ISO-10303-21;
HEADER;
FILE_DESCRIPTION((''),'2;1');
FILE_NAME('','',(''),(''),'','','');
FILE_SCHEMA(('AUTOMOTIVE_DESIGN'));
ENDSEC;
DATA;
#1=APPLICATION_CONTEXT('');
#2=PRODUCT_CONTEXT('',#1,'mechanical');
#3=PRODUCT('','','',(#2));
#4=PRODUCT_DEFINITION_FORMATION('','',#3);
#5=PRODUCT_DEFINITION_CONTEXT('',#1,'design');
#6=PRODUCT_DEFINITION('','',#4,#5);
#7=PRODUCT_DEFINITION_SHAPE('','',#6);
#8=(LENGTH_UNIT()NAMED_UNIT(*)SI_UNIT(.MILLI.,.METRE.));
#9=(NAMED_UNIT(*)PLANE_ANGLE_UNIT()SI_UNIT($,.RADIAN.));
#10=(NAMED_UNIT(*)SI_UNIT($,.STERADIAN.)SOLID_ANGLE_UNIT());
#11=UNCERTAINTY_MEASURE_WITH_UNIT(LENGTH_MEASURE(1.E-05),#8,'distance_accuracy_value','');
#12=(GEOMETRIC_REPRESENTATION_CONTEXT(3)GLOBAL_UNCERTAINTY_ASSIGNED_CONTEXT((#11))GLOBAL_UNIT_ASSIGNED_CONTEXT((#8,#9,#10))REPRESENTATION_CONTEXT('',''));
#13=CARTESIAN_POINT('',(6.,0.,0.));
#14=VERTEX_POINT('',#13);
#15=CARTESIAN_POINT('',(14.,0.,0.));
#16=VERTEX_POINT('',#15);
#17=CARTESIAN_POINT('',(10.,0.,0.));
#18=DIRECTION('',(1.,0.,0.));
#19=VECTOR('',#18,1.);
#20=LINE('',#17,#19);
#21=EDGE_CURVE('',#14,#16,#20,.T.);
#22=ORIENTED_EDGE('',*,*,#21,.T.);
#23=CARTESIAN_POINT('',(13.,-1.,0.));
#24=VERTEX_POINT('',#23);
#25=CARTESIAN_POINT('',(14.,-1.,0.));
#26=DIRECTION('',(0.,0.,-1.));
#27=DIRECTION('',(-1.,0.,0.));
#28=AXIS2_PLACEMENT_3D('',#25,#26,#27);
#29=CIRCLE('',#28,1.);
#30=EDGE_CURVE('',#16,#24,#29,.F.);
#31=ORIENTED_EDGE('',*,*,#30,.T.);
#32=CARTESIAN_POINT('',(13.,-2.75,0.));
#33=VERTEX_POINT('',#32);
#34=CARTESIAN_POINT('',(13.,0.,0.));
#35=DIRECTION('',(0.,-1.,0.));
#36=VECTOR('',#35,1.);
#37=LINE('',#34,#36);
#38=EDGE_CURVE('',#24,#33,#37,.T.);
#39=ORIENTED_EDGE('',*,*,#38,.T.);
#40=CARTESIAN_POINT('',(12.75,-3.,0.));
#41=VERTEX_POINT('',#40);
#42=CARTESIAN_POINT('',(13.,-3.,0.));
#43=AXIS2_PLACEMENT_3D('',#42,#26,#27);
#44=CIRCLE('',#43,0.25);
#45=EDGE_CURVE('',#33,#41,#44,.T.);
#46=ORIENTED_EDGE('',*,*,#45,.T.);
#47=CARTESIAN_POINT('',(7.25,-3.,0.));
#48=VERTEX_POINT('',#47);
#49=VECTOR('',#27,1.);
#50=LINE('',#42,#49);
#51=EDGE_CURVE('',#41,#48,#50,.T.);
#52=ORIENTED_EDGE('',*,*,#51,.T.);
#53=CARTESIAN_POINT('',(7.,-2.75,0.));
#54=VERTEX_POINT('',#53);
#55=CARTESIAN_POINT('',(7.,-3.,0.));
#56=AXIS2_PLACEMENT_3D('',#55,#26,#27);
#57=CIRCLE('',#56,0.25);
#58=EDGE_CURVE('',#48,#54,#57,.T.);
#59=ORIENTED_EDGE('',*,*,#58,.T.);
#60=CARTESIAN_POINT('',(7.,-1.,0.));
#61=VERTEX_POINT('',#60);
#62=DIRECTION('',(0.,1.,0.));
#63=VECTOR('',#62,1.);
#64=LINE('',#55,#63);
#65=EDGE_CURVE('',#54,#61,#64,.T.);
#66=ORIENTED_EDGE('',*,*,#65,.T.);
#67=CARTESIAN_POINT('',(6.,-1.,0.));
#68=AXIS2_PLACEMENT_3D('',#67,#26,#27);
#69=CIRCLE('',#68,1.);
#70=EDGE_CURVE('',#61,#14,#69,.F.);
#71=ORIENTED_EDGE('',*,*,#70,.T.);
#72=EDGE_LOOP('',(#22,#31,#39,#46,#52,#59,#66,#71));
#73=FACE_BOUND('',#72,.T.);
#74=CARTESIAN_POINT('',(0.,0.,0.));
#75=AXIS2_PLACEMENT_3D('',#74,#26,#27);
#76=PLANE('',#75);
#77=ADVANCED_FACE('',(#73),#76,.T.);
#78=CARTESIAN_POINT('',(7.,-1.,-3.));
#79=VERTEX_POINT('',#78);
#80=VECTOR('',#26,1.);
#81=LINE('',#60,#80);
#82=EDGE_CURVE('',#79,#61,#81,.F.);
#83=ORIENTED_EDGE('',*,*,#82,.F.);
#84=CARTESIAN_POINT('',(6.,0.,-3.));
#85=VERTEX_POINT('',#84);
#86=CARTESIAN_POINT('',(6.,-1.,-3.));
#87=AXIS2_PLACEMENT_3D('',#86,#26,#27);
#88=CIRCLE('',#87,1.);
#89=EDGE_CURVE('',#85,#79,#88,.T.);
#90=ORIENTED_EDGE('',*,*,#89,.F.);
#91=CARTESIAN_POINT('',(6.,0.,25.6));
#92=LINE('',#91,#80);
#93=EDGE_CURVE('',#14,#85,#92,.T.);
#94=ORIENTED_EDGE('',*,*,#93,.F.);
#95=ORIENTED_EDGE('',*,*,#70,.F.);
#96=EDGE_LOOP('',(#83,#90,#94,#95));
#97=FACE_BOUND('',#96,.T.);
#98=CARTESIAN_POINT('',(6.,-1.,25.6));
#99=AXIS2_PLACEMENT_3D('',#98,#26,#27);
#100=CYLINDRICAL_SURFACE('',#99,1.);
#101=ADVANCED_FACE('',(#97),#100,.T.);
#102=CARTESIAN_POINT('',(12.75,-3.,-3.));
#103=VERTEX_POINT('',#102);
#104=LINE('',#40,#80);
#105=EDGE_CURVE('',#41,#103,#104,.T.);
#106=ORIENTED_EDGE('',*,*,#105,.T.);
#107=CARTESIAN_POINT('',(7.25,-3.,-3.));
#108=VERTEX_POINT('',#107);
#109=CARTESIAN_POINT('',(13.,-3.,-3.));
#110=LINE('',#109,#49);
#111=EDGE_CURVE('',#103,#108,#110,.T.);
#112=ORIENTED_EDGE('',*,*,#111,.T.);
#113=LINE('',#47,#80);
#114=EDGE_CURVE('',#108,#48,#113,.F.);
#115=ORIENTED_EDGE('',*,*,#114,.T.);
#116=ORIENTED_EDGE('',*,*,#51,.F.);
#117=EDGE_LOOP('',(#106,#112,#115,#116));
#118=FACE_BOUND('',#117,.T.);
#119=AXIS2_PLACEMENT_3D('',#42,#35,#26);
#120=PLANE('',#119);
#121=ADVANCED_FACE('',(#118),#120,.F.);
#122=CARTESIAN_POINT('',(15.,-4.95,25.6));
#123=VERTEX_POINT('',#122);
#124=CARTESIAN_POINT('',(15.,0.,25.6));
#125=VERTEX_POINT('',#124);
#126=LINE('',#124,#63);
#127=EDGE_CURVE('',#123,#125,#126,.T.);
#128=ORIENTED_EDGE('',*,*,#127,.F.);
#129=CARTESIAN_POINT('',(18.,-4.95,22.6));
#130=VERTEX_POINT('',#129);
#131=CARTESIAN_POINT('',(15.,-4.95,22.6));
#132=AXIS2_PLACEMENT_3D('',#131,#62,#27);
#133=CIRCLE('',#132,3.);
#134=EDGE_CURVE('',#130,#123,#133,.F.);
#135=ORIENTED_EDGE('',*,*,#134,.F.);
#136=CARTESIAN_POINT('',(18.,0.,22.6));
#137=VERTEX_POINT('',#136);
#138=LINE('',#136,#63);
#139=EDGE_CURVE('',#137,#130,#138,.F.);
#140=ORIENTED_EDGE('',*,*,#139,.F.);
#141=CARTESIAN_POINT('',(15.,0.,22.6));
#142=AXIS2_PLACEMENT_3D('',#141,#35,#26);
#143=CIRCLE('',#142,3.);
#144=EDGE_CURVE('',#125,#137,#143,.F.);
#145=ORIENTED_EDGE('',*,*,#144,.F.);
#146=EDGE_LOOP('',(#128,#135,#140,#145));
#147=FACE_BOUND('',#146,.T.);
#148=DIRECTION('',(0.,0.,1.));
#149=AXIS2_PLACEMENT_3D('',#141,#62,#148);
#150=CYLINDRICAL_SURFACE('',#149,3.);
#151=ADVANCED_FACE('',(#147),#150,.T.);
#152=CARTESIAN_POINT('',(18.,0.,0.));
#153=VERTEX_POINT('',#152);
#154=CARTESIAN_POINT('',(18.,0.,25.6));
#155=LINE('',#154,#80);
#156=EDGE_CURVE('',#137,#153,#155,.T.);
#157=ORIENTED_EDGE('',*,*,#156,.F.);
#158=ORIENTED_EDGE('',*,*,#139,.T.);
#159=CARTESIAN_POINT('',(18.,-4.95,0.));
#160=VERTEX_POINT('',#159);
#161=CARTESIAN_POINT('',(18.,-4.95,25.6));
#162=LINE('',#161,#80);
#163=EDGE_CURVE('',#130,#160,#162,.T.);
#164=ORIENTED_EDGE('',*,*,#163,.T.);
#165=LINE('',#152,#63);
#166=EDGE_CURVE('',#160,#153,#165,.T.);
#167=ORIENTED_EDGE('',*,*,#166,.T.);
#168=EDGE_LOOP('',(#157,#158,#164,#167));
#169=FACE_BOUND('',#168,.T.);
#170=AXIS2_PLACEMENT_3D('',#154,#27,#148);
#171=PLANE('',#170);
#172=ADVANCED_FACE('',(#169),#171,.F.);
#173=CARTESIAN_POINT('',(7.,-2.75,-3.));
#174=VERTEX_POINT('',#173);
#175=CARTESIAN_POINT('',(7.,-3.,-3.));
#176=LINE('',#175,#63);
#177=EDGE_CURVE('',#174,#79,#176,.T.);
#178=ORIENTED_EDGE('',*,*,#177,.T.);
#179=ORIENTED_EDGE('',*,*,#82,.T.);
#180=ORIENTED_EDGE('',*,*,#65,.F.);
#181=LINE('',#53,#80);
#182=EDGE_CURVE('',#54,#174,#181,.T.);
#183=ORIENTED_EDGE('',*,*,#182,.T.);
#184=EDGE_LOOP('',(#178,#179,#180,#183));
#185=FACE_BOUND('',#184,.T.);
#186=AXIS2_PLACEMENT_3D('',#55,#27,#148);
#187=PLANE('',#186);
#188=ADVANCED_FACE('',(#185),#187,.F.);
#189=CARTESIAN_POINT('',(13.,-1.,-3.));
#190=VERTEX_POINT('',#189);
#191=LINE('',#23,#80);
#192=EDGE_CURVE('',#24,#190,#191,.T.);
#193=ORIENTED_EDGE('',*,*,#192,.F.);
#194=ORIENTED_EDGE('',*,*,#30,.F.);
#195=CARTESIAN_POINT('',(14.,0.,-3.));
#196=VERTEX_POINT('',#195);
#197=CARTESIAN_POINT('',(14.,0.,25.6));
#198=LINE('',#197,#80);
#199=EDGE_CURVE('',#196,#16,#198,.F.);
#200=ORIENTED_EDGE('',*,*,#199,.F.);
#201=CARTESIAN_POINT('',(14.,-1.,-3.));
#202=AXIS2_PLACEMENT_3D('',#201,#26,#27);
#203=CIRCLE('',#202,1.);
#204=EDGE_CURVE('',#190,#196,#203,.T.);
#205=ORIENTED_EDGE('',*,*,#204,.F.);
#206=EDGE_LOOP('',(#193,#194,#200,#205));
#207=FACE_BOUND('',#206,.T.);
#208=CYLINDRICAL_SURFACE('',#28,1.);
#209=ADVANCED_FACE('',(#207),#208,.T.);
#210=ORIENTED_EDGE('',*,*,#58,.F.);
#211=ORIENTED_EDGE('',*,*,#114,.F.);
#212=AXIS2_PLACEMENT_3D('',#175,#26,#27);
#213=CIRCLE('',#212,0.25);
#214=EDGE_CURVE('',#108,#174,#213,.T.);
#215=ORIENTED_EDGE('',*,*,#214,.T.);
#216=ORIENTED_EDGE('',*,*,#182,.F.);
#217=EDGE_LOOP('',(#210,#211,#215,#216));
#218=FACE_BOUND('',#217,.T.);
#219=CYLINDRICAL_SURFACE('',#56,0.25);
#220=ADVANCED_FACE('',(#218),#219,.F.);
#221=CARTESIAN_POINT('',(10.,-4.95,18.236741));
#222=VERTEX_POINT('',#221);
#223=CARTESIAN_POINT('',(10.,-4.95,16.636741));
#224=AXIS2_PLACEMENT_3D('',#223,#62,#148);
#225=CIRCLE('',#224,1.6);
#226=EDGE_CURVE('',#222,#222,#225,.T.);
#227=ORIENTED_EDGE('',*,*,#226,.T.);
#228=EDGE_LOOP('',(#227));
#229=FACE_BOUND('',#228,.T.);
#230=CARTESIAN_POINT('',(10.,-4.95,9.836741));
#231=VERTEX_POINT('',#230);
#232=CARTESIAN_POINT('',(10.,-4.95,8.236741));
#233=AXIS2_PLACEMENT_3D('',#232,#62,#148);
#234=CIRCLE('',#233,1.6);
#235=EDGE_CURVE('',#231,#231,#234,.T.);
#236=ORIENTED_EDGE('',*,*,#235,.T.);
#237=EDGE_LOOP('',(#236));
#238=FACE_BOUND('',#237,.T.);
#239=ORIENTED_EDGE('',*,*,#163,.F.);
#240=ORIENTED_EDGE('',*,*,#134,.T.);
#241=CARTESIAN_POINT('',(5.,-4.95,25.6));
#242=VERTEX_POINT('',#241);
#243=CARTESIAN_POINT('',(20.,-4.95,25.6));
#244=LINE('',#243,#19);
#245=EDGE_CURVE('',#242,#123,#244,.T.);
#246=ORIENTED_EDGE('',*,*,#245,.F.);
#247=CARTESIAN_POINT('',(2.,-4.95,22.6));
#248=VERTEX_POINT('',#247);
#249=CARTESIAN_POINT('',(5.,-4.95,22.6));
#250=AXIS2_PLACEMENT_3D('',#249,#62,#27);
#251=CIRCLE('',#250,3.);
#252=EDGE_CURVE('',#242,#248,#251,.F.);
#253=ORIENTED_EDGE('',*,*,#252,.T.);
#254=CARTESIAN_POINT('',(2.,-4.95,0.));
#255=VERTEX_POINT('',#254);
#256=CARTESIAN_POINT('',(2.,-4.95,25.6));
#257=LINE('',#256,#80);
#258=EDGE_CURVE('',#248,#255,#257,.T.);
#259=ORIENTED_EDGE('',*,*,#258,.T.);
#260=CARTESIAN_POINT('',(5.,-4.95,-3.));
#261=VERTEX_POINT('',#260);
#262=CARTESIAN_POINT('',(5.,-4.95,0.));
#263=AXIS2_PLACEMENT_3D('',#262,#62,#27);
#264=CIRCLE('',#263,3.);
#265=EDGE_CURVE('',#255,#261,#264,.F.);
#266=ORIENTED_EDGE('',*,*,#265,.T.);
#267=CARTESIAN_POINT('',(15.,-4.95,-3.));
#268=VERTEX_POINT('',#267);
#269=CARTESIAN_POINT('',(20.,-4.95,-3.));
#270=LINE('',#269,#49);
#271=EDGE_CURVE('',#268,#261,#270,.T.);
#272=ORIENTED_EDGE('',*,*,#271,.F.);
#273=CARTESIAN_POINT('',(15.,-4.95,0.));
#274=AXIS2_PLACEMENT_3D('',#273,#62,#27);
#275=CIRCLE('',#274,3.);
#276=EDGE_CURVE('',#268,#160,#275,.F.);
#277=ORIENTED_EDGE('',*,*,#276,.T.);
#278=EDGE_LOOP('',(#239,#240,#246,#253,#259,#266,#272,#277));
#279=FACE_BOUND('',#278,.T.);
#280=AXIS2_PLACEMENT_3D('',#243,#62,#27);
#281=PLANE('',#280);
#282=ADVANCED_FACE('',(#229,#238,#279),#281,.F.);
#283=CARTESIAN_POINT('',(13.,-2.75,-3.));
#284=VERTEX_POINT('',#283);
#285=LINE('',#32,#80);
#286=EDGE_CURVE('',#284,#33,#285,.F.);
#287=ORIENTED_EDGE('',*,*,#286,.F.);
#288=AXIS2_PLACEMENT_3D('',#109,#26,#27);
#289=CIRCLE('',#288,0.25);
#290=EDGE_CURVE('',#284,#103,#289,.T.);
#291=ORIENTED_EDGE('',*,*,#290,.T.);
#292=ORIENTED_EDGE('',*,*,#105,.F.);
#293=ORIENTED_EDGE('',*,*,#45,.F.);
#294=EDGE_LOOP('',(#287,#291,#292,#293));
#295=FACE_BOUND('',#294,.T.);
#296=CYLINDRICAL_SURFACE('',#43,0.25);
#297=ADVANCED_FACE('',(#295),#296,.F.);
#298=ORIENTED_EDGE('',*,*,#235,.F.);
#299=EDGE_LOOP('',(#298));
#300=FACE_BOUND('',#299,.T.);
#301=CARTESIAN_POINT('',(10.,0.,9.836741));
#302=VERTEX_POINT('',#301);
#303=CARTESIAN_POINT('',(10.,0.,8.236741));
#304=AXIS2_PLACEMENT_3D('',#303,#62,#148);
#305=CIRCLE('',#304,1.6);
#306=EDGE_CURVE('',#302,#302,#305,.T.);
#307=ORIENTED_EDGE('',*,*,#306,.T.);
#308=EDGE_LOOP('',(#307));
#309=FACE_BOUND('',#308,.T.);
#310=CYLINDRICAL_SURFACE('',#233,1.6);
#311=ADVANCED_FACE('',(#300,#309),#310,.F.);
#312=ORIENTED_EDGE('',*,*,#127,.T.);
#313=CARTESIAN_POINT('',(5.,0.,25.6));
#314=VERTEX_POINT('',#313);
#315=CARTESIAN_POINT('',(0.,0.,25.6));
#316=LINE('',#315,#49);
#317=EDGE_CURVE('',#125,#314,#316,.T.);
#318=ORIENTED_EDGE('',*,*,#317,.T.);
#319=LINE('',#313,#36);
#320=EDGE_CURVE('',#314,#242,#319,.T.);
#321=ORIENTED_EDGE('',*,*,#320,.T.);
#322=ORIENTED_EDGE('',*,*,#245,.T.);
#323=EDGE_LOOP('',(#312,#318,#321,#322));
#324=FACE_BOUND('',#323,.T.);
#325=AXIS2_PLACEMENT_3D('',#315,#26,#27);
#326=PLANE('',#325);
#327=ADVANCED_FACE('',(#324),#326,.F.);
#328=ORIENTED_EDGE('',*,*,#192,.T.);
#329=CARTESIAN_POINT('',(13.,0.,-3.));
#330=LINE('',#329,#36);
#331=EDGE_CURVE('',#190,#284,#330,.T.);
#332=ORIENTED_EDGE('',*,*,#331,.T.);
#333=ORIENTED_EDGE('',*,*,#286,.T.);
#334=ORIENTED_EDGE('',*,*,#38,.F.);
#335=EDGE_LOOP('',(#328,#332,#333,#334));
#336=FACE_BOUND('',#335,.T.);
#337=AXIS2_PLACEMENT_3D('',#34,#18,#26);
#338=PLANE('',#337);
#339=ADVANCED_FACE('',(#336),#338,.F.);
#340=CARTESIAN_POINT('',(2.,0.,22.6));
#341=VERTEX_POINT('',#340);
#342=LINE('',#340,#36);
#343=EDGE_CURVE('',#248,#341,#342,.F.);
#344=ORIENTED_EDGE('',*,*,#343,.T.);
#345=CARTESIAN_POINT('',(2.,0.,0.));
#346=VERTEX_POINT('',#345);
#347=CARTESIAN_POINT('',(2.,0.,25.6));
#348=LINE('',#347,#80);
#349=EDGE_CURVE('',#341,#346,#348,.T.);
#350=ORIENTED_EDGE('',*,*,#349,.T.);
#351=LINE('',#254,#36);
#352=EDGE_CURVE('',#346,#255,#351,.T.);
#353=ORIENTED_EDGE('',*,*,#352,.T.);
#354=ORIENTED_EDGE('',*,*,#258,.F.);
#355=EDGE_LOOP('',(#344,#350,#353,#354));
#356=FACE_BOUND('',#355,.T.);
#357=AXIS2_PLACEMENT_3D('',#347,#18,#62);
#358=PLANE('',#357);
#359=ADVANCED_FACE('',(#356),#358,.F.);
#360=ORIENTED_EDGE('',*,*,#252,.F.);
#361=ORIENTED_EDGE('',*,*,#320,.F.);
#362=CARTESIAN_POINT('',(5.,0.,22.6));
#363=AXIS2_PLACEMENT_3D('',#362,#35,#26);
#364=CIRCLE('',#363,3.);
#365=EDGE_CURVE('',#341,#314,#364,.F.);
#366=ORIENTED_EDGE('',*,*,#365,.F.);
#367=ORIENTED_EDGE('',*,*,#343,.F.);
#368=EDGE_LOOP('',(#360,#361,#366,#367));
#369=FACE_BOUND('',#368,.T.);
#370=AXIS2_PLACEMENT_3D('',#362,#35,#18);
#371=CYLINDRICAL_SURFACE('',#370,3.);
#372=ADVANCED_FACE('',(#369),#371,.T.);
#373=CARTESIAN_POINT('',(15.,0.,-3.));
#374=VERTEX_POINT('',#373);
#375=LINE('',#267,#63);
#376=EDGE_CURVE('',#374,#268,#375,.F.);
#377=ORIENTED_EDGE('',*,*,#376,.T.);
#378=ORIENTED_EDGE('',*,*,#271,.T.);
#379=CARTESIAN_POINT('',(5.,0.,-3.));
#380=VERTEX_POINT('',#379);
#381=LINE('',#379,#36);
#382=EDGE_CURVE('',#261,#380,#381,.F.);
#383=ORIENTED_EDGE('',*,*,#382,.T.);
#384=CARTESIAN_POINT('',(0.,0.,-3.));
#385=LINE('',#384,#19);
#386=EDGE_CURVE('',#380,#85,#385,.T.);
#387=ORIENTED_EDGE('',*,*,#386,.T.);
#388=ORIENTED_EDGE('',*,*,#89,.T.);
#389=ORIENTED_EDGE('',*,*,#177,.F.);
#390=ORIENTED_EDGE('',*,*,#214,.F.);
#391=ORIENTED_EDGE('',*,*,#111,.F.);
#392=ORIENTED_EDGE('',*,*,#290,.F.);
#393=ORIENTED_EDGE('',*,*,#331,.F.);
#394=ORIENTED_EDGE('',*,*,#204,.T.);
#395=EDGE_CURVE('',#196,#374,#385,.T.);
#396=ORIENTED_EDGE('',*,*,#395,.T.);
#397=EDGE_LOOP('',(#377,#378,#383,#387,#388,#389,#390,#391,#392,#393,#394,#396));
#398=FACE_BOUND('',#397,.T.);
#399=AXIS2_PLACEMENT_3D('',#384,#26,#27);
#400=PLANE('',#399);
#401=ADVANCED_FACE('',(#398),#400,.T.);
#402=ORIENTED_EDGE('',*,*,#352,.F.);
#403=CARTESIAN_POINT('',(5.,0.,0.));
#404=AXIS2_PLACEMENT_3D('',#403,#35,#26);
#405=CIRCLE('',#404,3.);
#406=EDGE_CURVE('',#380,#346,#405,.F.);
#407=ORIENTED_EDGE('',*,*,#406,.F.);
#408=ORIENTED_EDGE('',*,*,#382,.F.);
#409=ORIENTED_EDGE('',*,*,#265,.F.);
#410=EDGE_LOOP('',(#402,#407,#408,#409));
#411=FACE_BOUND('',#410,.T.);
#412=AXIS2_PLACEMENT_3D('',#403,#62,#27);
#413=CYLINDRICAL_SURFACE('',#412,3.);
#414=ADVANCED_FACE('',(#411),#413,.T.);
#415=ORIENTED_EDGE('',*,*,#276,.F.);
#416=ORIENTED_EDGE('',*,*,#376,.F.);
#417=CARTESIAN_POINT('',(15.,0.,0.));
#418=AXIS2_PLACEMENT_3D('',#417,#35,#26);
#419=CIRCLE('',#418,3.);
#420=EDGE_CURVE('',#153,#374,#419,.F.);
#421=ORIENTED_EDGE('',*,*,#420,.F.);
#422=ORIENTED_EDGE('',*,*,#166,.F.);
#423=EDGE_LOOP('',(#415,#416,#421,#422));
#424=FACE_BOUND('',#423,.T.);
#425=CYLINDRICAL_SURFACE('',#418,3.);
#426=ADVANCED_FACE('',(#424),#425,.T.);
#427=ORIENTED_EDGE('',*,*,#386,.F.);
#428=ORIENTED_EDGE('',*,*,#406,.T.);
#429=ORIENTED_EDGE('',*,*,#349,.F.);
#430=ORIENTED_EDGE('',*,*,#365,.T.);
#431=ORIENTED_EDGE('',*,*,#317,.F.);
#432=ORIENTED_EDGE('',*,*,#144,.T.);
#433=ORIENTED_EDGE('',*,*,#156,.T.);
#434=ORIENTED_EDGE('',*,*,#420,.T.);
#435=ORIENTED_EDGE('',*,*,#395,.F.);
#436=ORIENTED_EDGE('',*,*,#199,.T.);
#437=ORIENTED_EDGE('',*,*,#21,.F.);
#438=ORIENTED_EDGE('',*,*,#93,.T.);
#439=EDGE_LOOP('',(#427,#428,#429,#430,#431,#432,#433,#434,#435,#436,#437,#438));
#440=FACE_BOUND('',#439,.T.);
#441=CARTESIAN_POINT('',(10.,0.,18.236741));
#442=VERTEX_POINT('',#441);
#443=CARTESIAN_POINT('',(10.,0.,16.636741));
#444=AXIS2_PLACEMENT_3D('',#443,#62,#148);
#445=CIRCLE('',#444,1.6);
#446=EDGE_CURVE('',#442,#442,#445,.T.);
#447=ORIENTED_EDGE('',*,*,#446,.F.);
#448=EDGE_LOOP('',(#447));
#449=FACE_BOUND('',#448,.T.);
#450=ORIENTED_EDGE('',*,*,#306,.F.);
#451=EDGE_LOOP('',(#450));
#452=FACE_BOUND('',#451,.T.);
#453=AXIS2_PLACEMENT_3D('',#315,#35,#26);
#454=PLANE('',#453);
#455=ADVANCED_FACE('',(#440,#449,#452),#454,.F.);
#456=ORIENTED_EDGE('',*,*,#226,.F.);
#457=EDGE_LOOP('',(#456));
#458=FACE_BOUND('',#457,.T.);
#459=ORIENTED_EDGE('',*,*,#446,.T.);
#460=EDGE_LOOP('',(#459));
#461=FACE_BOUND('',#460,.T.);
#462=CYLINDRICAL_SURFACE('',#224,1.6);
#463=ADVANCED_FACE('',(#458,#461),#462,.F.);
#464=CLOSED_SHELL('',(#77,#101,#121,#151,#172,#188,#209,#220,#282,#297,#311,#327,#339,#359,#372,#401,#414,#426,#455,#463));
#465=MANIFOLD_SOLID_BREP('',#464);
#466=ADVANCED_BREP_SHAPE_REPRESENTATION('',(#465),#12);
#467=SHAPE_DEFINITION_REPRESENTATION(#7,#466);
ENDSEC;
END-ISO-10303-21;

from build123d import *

# Parameters (mm, degrees)
SKETCH_2_W          = 20
SKETCH_2_H          = 4.95
EXTRUDE_1_DEPTH     = 25.6
SKETCH_3_R          = 1.6
CUT_EXTRUDE_1_DEPTH = 5.95
SKETCH_4_W          = 20
SKETCH_4_H          = 4.95
EXTRUDE_2_DEPTH     = 3
CUT_EXTRUDE_2_DEPTH = 3
SKETCH_6_R          = 0.25
CUT_EXTRUDE_3_DEPTH = 3
FILLET_2_R          = 1
SKETCH_7_W          = 2
SKETCH_7_H          = 4.95
CUT_EXTRUDE_4_DEPTH = 29.6
FILLET_3_R          = 3


with BuildPart() as part:
    # 草图2 → 凸台-拉伸1 (new body)
    with BuildSketch(Plane.XY):
        with Locations((10, -2.475)):
            Rectangle(SKETCH_2_W, SKETCH_2_H)
    extrude(amount=EXTRUDE_1_DEPTH)

    # 草图3 → 切除-拉伸1 (cut, through all)
    with BuildSketch(Plane(origin=(0, 0, 0), x_dir=(1, 0, 0), z_dir=(0, 1, 0))):
        with Locations((10, -8.236740591)):
            Circle(SKETCH_3_R)
        with Locations((10, -16.636740591)):
            Circle(SKETCH_3_R)
    extrude(amount=-CUT_EXTRUDE_1_DEPTH, mode=Mode.SUBTRACT)

    # 草图4 → 凸台-拉伸2 (add)
    with BuildSketch(Plane(origin=(0, 0, 0), x_dir=(-1, 0, 0), z_dir=(0, 0, -1))):
        with Locations((-10, -2.475)):
            Rectangle(SKETCH_4_W, SKETCH_4_H)
    extrude(amount=EXTRUDE_2_DEPTH)

    # 草图5 → 切除-拉伸2 (cut)
    with BuildSketch(Plane(origin=(0, 0, -3), x_dir=(-1, 0, 0), z_dir=(0, 0, -1))):
        Polygon((-10, 0), (-7, 0), (-7, -3), (-13, -3), (-13, 0), align=None)
    extrude(amount=-CUT_EXTRUDE_2_DEPTH, mode=Mode.SUBTRACT)

    # 草图6 → 切除-拉伸3 (cut)
    with BuildSketch(Plane(origin=(0, 0, -3), x_dir=(-1, 0, 0), z_dir=(0, 0, -1))):
        with Locations((-7, -3)):
            Circle(SKETCH_6_R)
        with Locations((-13, -3)):
            Circle(SKETCH_6_R)
    extrude(amount=-CUT_EXTRUDE_3_DEPTH, mode=Mode.SUBTRACT)

    # 圆角2
    fillet_2_edges = [part.edges().sort_by_distance(p)[0] for p in [
        (13, 0, -1.5),
        (7, 0, -1.5),
    ]]
    fillet(fillet_2_edges, radius=FILLET_2_R)

    # 草图7 → 切除-拉伸4 (cut, through all)
    with BuildSketch(Plane(origin=(0, 0, -3), x_dir=(-1, 0, 0), z_dir=(0, 0, -1))):
        with Locations((-1, -2.475)):
            Rectangle(SKETCH_7_W, SKETCH_7_H)
        with Locations((-19, -2.475)):
            Rectangle(SKETCH_7_W, SKETCH_7_H)
    extrude(amount=-CUT_EXTRUDE_4_DEPTH, mode=Mode.SUBTRACT)

    # 圆角3
    fillet_3_edges = [part.edges().sort_by_distance(p)[0] for p in [
        (2, -2.475, 25.6),
        (2, -2.475, -3),
        (18, -2.475, 25.6),
        (18, -2.475, -3),
    ]]
    fillet(fillet_3_edges, radius=FILLET_3_R)


solid = part.part
